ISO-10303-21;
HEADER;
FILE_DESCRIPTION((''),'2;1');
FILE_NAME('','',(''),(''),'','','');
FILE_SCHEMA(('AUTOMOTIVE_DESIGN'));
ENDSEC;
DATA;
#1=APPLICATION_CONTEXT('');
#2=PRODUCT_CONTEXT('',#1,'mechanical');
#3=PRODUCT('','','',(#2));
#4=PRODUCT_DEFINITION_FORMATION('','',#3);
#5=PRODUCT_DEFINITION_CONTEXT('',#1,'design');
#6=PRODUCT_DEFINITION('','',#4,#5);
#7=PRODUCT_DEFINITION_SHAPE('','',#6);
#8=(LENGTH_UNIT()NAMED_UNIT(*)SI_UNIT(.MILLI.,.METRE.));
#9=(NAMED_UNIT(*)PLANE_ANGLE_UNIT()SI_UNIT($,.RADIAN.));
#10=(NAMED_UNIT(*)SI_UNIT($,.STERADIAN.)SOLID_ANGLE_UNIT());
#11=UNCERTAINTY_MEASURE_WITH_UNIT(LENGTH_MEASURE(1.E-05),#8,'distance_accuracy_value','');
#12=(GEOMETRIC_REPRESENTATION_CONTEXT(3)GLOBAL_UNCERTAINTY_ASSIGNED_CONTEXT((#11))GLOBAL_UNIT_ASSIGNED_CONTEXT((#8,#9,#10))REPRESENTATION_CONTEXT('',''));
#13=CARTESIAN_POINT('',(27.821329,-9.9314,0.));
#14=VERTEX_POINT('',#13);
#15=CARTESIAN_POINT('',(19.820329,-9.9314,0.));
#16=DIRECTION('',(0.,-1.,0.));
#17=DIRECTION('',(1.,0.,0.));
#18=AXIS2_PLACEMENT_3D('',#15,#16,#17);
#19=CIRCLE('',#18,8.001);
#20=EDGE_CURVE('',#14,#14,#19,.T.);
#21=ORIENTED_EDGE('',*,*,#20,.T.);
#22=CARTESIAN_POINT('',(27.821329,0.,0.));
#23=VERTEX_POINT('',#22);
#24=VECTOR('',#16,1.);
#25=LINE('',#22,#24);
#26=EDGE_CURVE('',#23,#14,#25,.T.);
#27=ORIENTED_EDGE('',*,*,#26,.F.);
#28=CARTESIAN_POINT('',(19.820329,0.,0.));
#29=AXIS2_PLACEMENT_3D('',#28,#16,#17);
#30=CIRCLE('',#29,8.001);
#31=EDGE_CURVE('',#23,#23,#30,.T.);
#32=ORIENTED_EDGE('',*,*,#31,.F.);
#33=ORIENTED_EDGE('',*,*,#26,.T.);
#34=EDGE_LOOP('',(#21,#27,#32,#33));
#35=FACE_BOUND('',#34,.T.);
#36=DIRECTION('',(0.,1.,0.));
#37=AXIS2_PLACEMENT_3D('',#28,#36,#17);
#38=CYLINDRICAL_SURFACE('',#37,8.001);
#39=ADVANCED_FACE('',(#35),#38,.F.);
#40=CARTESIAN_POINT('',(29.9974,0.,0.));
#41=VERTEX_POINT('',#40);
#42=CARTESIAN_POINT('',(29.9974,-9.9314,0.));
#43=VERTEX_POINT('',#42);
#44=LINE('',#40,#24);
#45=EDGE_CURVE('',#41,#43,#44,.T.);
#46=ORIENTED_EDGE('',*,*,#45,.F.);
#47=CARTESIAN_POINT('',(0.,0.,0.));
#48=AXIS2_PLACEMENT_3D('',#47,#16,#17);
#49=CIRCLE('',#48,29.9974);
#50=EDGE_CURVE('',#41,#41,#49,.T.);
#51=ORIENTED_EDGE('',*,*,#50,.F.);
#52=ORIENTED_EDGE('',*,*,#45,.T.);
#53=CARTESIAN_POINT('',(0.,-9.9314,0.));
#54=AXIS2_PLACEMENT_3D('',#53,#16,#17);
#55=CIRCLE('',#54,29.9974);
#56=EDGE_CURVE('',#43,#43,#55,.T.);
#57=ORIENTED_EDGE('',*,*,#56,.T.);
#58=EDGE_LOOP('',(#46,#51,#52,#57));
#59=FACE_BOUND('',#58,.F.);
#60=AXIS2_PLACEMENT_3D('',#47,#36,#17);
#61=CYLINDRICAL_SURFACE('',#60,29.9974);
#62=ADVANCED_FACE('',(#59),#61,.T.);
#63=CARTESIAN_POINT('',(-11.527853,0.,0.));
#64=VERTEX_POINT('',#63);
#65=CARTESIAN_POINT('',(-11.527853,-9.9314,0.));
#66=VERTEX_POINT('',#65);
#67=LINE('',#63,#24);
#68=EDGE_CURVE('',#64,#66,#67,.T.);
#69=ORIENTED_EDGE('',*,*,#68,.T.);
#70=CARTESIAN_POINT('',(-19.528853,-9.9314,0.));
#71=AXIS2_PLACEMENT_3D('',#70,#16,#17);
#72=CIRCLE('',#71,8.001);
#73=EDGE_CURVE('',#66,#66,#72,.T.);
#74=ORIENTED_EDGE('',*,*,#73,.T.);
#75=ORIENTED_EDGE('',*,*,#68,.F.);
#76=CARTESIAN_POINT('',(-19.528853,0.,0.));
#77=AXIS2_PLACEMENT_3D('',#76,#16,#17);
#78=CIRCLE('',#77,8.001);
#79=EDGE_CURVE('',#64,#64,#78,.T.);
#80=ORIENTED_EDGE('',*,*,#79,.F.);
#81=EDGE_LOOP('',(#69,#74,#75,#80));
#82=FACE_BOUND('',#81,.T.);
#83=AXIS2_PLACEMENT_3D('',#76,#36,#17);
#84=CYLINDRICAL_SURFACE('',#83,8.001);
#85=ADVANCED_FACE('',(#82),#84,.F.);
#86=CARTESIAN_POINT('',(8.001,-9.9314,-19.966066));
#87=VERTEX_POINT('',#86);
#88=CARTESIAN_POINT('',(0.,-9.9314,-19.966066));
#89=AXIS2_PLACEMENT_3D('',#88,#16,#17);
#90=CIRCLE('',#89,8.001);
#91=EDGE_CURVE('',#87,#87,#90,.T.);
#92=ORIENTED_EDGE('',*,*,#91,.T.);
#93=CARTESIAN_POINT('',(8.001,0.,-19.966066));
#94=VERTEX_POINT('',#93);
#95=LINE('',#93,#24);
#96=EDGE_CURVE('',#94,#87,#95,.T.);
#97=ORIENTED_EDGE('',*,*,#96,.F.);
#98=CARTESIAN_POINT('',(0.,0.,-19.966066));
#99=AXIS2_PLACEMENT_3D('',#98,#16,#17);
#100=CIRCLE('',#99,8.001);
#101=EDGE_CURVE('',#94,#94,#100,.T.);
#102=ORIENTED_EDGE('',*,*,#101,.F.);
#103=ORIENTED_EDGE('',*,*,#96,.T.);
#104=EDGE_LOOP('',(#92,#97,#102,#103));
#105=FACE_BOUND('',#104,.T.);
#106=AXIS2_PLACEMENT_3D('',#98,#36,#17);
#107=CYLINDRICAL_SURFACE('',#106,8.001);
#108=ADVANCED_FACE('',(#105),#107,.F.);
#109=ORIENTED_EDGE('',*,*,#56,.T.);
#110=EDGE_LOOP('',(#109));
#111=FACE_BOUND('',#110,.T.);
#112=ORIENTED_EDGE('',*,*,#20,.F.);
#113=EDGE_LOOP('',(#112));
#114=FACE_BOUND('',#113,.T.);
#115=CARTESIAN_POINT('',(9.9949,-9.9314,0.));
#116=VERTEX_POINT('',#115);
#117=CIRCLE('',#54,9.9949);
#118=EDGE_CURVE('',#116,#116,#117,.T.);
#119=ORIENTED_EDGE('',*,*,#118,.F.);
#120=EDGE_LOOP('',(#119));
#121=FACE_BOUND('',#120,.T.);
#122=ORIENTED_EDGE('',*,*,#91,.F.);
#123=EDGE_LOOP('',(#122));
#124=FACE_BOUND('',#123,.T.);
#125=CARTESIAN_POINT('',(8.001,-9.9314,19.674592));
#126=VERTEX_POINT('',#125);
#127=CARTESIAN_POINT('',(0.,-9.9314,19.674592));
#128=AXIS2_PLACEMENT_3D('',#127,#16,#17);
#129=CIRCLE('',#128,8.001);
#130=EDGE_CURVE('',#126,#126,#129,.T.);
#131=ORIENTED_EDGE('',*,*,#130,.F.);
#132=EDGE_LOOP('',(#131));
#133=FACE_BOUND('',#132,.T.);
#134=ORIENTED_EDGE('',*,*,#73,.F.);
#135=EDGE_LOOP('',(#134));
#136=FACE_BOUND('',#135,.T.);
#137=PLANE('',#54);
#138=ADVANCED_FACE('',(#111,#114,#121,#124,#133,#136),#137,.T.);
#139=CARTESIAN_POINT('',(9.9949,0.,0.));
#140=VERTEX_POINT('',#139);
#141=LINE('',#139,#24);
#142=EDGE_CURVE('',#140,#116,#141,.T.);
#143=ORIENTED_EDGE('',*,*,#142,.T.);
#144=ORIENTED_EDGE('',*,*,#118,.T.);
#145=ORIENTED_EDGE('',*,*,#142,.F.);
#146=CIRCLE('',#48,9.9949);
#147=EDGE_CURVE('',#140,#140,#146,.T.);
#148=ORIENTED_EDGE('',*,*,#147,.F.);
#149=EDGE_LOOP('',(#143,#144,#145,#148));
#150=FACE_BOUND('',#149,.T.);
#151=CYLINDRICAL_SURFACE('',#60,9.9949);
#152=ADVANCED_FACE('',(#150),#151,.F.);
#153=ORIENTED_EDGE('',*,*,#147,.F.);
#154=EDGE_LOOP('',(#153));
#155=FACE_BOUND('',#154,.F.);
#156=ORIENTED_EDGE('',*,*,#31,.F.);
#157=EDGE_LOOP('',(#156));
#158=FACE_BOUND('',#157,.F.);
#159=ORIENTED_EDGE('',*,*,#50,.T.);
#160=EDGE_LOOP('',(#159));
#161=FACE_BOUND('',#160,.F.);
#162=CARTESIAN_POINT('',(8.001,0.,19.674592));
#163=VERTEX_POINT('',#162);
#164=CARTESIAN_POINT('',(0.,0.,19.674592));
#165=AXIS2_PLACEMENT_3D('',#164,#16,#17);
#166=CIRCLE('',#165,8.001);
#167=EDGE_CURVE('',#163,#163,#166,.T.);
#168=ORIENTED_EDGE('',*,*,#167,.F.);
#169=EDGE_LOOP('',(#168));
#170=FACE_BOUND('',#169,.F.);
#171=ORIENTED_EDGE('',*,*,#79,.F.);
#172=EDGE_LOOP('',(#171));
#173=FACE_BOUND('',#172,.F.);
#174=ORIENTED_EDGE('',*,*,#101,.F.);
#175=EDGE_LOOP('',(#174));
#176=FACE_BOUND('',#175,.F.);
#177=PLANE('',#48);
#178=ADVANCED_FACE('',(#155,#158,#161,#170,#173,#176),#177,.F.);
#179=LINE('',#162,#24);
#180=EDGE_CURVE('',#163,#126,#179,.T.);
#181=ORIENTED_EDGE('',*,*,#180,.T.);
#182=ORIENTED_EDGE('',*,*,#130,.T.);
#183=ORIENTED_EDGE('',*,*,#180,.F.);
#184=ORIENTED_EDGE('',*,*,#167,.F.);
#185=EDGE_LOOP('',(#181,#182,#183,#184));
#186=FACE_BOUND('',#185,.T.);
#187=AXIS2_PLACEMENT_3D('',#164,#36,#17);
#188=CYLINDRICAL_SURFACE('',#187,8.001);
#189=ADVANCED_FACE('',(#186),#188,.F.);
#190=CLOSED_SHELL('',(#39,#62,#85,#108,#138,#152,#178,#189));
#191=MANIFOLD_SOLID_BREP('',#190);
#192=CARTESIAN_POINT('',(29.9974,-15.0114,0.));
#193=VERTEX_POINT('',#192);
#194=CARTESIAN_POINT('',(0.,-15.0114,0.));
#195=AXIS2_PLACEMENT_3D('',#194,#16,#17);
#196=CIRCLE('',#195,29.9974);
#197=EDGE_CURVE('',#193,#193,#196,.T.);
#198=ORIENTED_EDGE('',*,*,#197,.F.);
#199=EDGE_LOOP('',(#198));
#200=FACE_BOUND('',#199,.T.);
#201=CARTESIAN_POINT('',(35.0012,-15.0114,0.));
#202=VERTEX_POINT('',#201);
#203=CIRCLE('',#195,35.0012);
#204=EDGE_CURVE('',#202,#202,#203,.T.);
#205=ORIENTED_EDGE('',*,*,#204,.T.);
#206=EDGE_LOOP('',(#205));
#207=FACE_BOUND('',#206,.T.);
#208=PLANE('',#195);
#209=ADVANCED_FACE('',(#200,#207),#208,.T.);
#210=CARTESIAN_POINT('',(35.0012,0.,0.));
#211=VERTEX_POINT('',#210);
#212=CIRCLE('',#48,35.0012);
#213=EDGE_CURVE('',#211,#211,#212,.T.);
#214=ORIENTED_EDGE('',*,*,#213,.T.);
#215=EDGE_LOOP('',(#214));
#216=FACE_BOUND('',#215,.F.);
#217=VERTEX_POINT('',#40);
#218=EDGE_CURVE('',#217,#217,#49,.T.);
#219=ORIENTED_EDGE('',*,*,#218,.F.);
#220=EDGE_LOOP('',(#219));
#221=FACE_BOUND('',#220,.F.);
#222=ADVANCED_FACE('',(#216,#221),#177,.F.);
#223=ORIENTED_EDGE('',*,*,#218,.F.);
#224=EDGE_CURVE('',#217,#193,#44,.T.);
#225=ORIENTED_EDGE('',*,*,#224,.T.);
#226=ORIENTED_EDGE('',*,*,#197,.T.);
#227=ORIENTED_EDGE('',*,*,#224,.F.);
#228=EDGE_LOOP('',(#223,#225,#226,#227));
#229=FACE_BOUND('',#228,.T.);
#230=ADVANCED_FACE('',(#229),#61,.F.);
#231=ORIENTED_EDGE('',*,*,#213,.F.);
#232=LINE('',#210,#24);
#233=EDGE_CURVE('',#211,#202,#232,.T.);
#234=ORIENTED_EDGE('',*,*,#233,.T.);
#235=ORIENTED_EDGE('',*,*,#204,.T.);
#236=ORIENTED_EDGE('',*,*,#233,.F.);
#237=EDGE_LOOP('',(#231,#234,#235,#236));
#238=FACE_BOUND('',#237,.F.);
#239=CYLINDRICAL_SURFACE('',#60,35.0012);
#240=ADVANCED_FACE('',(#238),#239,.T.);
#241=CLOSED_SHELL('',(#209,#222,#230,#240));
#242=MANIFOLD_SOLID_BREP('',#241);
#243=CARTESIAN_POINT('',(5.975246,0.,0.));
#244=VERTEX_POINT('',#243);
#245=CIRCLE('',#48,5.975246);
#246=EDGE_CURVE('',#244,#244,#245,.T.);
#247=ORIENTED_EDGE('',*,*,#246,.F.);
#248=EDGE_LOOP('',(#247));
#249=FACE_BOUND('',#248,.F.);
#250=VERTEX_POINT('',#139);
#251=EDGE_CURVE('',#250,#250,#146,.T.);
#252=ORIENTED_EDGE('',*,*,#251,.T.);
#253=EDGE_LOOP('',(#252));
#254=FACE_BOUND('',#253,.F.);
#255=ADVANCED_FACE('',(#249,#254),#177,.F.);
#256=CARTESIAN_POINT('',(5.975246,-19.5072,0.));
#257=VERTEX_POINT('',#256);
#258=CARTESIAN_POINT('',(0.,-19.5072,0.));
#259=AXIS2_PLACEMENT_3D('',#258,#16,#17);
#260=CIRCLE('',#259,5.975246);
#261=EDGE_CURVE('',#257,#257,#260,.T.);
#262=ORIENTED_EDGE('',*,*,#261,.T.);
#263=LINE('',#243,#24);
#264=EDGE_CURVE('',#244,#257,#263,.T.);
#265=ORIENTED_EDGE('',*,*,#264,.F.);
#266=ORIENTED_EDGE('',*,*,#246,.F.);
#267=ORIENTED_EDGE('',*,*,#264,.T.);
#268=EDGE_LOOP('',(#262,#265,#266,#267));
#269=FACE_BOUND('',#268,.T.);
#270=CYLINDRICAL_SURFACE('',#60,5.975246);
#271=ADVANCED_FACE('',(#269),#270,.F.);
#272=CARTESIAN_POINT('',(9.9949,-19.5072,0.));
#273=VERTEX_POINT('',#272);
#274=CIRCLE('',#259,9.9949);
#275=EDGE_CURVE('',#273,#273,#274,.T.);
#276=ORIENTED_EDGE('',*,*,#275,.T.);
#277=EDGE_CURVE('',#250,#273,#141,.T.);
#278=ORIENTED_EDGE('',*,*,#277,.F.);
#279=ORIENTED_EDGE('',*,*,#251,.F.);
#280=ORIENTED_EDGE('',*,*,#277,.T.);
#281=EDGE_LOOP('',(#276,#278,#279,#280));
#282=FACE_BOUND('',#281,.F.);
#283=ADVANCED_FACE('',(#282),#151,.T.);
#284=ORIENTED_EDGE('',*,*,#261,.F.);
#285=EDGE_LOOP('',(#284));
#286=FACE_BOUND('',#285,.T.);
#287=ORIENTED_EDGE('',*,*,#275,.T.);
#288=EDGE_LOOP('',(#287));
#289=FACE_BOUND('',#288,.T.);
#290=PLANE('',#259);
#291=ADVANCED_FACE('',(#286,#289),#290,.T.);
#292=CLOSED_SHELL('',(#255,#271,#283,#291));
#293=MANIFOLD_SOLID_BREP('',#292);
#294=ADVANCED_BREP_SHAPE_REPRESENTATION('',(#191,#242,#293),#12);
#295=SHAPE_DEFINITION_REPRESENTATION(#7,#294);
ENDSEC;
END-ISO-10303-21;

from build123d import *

# Parameters (mm, degrees)
F0_R     = 35.0012
F0_R_2   = 29.9974
F1_DEPTH = 15.0114
F0_R_3   = 9.9949
F0_R_4   = 5.975246
F2_DEPTH = 19.5072
F0_R_5   = 8.001
F3_DEPTH = 9.9314


with BuildPart() as f1:
    # F0 (on Front) → F1 (new body)
    with BuildSketch(Plane.XZ):
        Circle(F0_R)
        Circle(F0_R_2, mode=Mode.SUBTRACT)
    extrude(amount=F1_DEPTH)


with BuildPart() as f2:
    # F0 (on Front) → F2 (new body)
    with BuildSketch(Plane.XZ):
        Circle(F0_R_3)
        Circle(F0_R_4, mode=Mode.SUBTRACT)
    extrude(amount=F2_DEPTH)


with BuildPart() as f3:
    # F0 (on Front) → F3 (new body)
    with BuildSketch(Plane.XZ):
        Circle(F0_R_2)
        with Locations((0, -19.966066)):
            Circle(F0_R_5, mode=Mode.SUBTRACT)
        with Locations((-19.528853, 0)):
            Circle(F0_R_5, mode=Mode.SUBTRACT)
        Circle(F0_R_3, mode=Mode.SUBTRACT)
        with Locations((19.820329, 0)):
            Circle(F0_R_5, mode=Mode.SUBTRACT)
        with Locations((0, 19.674592)):
            Circle(F0_R_5, mode=Mode.SUBTRACT)
    extrude(amount=F3_DEPTH)


solid = Compound([f1.part, f2.part, f3.part])
